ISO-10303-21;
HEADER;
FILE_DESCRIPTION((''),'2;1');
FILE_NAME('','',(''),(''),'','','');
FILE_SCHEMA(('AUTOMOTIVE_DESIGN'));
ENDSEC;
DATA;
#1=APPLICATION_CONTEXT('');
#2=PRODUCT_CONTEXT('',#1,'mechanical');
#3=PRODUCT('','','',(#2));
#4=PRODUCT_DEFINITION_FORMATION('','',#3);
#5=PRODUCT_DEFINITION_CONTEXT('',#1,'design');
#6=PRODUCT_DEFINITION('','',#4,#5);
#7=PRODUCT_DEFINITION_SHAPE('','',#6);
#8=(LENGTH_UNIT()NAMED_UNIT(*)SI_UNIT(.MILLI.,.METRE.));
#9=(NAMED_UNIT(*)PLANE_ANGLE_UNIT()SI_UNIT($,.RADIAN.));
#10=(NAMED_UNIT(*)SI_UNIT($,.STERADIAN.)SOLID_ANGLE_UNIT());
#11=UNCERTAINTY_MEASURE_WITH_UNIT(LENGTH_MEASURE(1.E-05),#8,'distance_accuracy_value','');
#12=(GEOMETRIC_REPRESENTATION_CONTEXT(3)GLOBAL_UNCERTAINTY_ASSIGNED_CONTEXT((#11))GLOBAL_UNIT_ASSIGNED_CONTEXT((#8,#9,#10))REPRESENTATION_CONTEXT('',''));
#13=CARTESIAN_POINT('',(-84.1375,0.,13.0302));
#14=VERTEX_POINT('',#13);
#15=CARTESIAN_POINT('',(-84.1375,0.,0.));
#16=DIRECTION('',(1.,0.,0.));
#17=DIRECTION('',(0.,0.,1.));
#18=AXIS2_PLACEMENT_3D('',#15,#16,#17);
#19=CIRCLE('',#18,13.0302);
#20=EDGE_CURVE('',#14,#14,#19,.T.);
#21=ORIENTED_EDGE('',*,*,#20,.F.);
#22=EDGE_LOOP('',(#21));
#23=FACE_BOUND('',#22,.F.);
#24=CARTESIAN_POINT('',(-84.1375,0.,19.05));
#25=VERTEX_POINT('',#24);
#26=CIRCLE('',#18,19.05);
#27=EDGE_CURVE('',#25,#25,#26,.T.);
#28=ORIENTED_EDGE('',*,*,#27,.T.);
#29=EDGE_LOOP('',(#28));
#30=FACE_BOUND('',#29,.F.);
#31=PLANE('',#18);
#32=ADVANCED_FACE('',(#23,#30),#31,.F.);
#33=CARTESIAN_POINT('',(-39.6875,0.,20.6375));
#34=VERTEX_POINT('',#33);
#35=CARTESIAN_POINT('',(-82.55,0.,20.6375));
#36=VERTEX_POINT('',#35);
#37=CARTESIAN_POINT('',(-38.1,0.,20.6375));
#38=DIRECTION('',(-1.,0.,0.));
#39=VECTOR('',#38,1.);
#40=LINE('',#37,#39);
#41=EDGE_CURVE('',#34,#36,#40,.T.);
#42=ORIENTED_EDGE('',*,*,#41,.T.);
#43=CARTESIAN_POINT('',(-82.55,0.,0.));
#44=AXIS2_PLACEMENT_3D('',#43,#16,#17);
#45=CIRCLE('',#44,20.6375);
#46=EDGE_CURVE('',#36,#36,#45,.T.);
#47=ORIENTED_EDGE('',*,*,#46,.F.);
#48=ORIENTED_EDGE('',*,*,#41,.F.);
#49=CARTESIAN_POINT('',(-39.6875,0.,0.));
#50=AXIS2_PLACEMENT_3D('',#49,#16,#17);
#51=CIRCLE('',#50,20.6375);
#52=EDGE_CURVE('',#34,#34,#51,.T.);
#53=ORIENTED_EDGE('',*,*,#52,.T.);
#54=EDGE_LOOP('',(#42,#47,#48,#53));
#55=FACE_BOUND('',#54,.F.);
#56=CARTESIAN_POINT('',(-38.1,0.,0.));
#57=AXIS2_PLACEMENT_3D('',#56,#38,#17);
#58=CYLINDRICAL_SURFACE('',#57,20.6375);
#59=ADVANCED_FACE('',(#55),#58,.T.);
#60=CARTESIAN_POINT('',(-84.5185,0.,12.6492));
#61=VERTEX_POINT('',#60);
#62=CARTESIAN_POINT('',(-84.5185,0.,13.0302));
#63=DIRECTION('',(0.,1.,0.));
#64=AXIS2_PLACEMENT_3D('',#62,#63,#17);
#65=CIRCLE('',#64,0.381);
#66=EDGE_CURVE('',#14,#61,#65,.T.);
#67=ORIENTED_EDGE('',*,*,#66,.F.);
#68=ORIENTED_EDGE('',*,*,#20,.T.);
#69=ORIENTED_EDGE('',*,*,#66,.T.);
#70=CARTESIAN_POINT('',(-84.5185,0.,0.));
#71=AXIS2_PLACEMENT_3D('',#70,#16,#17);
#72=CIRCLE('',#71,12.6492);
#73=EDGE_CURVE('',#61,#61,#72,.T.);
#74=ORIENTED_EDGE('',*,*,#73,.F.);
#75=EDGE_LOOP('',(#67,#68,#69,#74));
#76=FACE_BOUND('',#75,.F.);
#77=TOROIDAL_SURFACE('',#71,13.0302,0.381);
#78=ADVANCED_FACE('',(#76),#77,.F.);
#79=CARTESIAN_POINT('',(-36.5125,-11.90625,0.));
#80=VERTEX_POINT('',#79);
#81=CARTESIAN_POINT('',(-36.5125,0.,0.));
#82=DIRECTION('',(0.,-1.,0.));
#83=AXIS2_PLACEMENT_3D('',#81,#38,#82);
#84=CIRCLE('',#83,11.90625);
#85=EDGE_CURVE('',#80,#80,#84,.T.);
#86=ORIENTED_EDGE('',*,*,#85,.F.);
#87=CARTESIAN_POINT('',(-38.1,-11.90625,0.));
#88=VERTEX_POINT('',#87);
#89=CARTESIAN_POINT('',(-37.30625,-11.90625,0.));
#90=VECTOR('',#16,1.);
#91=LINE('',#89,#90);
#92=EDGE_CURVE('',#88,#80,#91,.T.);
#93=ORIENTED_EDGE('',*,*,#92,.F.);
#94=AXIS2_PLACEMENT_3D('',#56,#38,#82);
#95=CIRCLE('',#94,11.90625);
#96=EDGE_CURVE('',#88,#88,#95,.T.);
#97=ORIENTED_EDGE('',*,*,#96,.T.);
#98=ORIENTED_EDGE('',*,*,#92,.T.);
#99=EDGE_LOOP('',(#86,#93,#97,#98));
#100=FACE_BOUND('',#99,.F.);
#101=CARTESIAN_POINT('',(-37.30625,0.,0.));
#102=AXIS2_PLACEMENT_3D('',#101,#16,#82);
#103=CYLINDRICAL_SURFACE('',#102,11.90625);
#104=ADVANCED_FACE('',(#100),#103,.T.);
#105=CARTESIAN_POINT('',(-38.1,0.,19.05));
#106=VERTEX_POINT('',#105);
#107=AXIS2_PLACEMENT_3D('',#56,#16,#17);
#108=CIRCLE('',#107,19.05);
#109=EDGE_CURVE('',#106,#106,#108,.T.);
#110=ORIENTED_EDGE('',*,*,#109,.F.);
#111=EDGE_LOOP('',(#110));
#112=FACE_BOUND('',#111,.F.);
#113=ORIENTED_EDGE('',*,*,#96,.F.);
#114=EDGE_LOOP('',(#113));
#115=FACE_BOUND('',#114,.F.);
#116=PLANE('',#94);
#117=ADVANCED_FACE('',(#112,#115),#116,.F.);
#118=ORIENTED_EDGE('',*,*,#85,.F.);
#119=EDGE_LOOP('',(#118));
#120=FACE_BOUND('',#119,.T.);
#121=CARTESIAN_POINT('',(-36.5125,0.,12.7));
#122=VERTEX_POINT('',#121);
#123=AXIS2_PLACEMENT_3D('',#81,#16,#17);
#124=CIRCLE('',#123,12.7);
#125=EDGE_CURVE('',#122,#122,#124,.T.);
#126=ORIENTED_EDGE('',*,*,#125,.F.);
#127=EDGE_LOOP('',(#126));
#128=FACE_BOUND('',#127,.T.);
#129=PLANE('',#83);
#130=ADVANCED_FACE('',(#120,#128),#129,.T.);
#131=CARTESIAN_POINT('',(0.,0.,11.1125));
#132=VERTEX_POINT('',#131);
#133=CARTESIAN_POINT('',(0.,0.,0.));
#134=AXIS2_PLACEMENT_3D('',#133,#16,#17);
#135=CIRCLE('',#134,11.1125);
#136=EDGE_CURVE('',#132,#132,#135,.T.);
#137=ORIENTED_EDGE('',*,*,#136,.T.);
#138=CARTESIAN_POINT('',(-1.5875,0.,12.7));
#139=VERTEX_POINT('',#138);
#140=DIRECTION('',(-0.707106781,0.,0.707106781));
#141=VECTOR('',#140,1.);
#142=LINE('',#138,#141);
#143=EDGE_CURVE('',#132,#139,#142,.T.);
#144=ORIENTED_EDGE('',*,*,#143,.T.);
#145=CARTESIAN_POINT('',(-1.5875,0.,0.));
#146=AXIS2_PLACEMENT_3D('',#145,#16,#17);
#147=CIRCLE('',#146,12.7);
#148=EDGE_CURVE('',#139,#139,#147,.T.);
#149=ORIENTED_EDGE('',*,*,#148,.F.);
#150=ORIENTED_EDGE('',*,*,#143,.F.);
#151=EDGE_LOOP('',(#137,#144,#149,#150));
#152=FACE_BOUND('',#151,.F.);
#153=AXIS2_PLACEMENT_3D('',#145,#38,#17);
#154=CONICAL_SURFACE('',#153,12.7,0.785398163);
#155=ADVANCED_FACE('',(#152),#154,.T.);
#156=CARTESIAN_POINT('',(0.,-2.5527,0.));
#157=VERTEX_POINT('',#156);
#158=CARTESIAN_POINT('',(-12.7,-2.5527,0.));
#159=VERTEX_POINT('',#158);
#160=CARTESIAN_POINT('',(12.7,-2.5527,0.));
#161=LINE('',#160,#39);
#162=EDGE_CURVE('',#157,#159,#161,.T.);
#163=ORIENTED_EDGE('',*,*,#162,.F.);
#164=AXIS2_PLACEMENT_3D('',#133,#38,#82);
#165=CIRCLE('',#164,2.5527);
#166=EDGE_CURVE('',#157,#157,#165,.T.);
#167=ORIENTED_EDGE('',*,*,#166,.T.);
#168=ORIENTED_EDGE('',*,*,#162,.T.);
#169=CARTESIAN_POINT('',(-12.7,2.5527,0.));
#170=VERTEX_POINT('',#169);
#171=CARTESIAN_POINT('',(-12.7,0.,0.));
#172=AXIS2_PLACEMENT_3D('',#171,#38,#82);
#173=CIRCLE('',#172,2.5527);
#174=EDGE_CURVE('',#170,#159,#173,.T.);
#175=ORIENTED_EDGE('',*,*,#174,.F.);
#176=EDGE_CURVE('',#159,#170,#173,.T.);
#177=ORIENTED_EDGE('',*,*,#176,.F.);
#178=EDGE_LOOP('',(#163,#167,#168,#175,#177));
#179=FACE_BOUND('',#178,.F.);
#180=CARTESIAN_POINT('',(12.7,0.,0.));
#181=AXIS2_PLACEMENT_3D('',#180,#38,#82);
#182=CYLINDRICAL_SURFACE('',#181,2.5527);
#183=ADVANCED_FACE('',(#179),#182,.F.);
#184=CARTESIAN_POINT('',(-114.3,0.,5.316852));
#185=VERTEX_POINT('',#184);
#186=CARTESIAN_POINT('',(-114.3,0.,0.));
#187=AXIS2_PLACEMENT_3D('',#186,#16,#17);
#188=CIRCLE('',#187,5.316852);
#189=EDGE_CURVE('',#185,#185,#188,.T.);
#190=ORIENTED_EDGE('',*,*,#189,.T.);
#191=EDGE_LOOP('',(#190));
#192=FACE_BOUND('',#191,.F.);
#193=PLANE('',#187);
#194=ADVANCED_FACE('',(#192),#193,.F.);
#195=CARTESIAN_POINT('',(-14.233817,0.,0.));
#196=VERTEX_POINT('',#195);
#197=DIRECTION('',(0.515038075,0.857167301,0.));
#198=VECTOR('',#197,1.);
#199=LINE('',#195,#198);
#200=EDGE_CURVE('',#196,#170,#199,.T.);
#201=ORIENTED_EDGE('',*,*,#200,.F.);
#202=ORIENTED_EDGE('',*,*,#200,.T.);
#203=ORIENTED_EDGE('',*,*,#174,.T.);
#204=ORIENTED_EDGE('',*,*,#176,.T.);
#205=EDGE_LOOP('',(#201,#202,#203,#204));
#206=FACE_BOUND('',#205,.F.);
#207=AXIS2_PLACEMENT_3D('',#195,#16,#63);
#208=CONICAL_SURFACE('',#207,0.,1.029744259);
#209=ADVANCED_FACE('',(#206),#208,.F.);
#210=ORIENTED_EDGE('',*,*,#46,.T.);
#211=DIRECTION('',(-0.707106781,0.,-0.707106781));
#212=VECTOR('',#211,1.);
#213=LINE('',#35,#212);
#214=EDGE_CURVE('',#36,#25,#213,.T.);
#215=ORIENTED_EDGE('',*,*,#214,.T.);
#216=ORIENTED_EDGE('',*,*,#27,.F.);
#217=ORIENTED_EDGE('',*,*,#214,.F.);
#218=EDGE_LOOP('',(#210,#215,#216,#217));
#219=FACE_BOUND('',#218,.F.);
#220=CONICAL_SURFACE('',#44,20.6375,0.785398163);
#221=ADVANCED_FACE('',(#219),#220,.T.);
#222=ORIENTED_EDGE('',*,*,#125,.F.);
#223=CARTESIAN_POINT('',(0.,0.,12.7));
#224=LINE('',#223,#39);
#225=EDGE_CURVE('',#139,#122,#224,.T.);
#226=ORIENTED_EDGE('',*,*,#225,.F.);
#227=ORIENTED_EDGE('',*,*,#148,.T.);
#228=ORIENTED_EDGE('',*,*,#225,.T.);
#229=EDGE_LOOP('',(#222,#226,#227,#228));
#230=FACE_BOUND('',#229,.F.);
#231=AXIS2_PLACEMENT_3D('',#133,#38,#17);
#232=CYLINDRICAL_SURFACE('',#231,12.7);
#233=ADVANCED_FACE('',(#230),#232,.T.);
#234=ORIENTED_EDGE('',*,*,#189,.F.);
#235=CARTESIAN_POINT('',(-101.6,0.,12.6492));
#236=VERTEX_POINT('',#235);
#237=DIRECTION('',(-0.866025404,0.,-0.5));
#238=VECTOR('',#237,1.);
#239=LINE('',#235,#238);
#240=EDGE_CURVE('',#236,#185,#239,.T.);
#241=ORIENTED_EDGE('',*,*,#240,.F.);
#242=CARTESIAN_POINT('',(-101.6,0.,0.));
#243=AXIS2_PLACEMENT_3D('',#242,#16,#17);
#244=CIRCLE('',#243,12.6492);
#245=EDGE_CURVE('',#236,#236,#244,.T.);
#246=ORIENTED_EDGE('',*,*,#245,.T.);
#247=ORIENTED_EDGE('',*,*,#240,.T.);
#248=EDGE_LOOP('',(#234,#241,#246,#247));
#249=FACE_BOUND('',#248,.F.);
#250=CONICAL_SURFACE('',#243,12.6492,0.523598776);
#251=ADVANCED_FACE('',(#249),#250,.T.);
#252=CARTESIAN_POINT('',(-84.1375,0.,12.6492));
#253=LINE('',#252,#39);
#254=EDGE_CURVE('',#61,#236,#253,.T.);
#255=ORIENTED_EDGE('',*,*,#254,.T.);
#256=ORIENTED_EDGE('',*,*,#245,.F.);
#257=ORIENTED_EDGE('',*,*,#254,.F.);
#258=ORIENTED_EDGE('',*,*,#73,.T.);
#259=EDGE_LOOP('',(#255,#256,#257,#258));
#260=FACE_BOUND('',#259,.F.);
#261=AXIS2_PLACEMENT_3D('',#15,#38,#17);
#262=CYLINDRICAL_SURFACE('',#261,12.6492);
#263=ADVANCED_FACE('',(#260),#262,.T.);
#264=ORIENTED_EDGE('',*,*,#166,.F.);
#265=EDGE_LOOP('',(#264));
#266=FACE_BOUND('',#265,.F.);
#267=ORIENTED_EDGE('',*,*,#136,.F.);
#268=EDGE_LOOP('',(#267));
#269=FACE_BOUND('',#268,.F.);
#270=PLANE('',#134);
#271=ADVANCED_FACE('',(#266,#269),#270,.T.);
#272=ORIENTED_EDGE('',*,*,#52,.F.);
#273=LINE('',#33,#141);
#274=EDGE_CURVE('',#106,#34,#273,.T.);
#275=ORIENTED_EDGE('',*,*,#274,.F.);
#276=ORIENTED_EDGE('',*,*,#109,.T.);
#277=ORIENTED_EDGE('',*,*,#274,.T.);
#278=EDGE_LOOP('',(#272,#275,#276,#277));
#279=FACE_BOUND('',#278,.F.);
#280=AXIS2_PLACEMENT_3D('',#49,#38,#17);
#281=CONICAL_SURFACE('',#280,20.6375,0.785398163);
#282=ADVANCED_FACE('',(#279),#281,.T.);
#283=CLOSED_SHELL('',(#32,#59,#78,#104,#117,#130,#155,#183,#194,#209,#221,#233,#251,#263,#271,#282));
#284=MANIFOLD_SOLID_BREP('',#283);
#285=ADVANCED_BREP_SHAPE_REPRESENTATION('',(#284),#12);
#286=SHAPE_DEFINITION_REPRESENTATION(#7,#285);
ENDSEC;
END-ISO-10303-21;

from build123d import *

# Parameters (mm, degrees)
F2_W     = 1.5875
F2_H     = 0.79375
F4_SIZE  = 1.5875
F5_R     = 0.381
F7_D     = 5.1054
F7_DEPTH = 12.7
F7_TIP   = 1.5338169022


with BuildPart() as f1:
    # F0 (on Front) → F1 (revolve)
    with BuildSketch(Plane.XZ):
        Polygon((-114.3, 0), (0, 0), (0, 12.7), (-38.1, 12.7), (-38.1, 20.6375), (-84.1375, 20.6375), (-84.1375, 12.6492), (-101.6, 12.6492), (-114.3, 5.3168515813), align=None)
    revolve(axis=Axis((-57.15, 0, 0), (1, 0, 0)))

    # F2 (on Top) → F3 (revolve, cut)
    with BuildSketch(Plane.XY):
        with Locations((-37.30625, -12.303125)):
            Rectangle(F2_W, F2_H)
    revolve(axis=Axis((-65.0381594896, 0, 0), (-1, 0, 0)), mode=Mode.SUBTRACT)

    # F4
    f4_edges = [f1.edges().sort_by_distance(p)[0] for p in [
        (0, 0, -12.7),
        (-38.1, 0, -20.6375),
        (-84.1375, 0, -20.6375),
    ]]
    chamfer(f4_edges, length=F4_SIZE)

    # F5
    f5_edges = [f1.edges().sort_by_distance(p)[0] for p in [
        (-84.1375, 0, -12.6492),
    ]]
    fillet(f5_edges, radius=F5_R)

    # F7
    with Locations(Plane.YZ):
        with Locations((0, 0)):
            Hole(F7_D / 2, depth=F7_DEPTH)
            with Locations((0, 0, -(F7_DEPTH + F7_TIP / 2))):  # 118° drill point
                Cone(0, F7_D / 2, F7_TIP, mode=Mode.SUBTRACT)


solid = f1.part
